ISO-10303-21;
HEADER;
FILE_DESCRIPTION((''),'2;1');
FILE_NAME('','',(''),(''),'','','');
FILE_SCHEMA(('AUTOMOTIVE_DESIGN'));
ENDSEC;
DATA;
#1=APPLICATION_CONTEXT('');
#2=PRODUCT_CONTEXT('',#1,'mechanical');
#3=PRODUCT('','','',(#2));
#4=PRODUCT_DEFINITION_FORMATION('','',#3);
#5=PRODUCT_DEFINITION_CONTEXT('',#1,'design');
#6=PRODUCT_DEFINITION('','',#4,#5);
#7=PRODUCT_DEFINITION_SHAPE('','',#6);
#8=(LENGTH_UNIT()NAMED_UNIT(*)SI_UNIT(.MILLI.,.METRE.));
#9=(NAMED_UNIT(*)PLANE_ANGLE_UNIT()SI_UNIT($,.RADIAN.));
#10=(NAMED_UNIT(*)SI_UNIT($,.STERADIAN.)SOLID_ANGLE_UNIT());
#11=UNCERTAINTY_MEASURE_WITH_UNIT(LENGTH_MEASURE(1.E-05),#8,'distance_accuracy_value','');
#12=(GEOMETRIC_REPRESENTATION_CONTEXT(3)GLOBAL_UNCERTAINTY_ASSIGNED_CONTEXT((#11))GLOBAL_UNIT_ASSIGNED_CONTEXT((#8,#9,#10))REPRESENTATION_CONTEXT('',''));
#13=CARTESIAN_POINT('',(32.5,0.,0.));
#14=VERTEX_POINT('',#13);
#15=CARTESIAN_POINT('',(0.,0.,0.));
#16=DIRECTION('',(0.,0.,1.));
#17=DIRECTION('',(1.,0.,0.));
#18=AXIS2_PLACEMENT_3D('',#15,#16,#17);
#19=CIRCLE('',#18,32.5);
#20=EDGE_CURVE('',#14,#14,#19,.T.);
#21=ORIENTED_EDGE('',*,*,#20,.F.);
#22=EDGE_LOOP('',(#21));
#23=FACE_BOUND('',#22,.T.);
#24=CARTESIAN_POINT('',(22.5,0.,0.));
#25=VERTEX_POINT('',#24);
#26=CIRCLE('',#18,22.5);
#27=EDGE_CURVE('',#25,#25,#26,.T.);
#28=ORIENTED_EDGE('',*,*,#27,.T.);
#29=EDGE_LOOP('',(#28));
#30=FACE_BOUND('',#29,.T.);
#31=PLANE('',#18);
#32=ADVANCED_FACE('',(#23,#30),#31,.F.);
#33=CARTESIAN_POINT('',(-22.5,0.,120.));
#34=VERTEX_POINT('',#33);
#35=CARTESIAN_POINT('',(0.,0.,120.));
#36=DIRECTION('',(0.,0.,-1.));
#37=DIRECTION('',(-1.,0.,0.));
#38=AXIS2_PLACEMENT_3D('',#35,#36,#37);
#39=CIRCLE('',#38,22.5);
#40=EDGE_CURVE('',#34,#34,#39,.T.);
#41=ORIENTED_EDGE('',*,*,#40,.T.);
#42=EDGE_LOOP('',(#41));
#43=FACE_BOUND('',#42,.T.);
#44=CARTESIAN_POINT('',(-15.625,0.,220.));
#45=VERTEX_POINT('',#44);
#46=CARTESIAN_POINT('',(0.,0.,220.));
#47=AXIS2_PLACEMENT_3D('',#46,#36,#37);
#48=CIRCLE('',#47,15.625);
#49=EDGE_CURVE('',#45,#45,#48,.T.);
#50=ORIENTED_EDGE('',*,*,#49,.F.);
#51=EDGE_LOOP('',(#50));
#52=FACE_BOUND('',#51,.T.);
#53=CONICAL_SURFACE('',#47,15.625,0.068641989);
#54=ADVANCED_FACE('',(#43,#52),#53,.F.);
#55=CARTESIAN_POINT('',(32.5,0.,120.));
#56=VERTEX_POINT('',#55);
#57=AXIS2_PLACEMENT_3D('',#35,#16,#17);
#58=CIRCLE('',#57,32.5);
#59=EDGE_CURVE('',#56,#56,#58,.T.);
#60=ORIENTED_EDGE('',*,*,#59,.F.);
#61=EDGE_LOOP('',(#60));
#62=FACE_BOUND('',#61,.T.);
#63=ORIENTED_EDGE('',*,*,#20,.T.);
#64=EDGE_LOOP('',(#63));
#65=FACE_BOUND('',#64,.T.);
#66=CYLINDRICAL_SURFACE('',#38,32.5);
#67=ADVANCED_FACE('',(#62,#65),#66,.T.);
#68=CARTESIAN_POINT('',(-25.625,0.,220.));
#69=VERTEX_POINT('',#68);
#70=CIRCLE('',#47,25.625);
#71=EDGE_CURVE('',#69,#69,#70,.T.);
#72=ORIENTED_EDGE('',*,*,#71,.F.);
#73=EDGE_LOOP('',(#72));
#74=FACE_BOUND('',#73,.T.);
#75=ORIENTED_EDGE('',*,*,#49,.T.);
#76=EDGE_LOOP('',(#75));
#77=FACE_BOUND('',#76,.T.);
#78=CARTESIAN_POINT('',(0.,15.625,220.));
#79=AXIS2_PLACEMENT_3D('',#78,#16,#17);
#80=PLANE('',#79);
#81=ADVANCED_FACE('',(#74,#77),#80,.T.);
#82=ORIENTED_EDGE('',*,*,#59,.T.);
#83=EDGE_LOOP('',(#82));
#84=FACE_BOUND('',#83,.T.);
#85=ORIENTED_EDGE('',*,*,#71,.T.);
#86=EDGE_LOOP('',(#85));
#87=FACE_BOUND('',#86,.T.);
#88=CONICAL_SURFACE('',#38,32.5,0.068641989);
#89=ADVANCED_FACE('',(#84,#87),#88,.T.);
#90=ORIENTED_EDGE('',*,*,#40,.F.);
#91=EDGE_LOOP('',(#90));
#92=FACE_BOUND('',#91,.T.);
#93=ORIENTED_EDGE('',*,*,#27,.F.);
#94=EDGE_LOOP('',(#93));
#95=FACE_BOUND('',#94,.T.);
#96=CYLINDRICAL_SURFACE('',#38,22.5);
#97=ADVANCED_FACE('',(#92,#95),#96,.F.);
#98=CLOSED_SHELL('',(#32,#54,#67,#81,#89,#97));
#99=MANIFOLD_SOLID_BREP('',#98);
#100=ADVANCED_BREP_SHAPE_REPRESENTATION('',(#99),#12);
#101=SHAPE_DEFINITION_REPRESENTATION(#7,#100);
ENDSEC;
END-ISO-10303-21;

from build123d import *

# Parameters (mm, degrees)
SKETCH1_R           = 32.5
SKETCH1_R_2         = 22.5
BOSS_EXTRUDE1_DEPTH = 120


with BuildPart() as part:
    # Sketch1 → Boss-Extrude1 (new body)
    with BuildSketch(Plane.XY):
        Circle(SKETCH1_R)
        Circle(SKETCH1_R_2, mode=Mode.SUBTRACT)
    extrude(amount=BOSS_EXTRUDE1_DEPTH)

    # Sketch8 → Revolve1 (revolve)
    with BuildSketch(Plane(origin=(0, 0, 0), x_dir=(0, 0, -1), z_dir=(1, 0, 0)), mode=Mode.PRIVATE) as revolve1_sk:
        Polygon((-120, 32.5), (-220, 25.625), (-220, 15.625), (-120, 22.5), align=None)
    revolve(revolve1_sk.sketch.rotate(Axis((0, 0, -116.200591151), (0, 0, 1)), 90), axis=Axis((0, 0, -116.200591151), (0, 0, 1)))


solid = part.part
